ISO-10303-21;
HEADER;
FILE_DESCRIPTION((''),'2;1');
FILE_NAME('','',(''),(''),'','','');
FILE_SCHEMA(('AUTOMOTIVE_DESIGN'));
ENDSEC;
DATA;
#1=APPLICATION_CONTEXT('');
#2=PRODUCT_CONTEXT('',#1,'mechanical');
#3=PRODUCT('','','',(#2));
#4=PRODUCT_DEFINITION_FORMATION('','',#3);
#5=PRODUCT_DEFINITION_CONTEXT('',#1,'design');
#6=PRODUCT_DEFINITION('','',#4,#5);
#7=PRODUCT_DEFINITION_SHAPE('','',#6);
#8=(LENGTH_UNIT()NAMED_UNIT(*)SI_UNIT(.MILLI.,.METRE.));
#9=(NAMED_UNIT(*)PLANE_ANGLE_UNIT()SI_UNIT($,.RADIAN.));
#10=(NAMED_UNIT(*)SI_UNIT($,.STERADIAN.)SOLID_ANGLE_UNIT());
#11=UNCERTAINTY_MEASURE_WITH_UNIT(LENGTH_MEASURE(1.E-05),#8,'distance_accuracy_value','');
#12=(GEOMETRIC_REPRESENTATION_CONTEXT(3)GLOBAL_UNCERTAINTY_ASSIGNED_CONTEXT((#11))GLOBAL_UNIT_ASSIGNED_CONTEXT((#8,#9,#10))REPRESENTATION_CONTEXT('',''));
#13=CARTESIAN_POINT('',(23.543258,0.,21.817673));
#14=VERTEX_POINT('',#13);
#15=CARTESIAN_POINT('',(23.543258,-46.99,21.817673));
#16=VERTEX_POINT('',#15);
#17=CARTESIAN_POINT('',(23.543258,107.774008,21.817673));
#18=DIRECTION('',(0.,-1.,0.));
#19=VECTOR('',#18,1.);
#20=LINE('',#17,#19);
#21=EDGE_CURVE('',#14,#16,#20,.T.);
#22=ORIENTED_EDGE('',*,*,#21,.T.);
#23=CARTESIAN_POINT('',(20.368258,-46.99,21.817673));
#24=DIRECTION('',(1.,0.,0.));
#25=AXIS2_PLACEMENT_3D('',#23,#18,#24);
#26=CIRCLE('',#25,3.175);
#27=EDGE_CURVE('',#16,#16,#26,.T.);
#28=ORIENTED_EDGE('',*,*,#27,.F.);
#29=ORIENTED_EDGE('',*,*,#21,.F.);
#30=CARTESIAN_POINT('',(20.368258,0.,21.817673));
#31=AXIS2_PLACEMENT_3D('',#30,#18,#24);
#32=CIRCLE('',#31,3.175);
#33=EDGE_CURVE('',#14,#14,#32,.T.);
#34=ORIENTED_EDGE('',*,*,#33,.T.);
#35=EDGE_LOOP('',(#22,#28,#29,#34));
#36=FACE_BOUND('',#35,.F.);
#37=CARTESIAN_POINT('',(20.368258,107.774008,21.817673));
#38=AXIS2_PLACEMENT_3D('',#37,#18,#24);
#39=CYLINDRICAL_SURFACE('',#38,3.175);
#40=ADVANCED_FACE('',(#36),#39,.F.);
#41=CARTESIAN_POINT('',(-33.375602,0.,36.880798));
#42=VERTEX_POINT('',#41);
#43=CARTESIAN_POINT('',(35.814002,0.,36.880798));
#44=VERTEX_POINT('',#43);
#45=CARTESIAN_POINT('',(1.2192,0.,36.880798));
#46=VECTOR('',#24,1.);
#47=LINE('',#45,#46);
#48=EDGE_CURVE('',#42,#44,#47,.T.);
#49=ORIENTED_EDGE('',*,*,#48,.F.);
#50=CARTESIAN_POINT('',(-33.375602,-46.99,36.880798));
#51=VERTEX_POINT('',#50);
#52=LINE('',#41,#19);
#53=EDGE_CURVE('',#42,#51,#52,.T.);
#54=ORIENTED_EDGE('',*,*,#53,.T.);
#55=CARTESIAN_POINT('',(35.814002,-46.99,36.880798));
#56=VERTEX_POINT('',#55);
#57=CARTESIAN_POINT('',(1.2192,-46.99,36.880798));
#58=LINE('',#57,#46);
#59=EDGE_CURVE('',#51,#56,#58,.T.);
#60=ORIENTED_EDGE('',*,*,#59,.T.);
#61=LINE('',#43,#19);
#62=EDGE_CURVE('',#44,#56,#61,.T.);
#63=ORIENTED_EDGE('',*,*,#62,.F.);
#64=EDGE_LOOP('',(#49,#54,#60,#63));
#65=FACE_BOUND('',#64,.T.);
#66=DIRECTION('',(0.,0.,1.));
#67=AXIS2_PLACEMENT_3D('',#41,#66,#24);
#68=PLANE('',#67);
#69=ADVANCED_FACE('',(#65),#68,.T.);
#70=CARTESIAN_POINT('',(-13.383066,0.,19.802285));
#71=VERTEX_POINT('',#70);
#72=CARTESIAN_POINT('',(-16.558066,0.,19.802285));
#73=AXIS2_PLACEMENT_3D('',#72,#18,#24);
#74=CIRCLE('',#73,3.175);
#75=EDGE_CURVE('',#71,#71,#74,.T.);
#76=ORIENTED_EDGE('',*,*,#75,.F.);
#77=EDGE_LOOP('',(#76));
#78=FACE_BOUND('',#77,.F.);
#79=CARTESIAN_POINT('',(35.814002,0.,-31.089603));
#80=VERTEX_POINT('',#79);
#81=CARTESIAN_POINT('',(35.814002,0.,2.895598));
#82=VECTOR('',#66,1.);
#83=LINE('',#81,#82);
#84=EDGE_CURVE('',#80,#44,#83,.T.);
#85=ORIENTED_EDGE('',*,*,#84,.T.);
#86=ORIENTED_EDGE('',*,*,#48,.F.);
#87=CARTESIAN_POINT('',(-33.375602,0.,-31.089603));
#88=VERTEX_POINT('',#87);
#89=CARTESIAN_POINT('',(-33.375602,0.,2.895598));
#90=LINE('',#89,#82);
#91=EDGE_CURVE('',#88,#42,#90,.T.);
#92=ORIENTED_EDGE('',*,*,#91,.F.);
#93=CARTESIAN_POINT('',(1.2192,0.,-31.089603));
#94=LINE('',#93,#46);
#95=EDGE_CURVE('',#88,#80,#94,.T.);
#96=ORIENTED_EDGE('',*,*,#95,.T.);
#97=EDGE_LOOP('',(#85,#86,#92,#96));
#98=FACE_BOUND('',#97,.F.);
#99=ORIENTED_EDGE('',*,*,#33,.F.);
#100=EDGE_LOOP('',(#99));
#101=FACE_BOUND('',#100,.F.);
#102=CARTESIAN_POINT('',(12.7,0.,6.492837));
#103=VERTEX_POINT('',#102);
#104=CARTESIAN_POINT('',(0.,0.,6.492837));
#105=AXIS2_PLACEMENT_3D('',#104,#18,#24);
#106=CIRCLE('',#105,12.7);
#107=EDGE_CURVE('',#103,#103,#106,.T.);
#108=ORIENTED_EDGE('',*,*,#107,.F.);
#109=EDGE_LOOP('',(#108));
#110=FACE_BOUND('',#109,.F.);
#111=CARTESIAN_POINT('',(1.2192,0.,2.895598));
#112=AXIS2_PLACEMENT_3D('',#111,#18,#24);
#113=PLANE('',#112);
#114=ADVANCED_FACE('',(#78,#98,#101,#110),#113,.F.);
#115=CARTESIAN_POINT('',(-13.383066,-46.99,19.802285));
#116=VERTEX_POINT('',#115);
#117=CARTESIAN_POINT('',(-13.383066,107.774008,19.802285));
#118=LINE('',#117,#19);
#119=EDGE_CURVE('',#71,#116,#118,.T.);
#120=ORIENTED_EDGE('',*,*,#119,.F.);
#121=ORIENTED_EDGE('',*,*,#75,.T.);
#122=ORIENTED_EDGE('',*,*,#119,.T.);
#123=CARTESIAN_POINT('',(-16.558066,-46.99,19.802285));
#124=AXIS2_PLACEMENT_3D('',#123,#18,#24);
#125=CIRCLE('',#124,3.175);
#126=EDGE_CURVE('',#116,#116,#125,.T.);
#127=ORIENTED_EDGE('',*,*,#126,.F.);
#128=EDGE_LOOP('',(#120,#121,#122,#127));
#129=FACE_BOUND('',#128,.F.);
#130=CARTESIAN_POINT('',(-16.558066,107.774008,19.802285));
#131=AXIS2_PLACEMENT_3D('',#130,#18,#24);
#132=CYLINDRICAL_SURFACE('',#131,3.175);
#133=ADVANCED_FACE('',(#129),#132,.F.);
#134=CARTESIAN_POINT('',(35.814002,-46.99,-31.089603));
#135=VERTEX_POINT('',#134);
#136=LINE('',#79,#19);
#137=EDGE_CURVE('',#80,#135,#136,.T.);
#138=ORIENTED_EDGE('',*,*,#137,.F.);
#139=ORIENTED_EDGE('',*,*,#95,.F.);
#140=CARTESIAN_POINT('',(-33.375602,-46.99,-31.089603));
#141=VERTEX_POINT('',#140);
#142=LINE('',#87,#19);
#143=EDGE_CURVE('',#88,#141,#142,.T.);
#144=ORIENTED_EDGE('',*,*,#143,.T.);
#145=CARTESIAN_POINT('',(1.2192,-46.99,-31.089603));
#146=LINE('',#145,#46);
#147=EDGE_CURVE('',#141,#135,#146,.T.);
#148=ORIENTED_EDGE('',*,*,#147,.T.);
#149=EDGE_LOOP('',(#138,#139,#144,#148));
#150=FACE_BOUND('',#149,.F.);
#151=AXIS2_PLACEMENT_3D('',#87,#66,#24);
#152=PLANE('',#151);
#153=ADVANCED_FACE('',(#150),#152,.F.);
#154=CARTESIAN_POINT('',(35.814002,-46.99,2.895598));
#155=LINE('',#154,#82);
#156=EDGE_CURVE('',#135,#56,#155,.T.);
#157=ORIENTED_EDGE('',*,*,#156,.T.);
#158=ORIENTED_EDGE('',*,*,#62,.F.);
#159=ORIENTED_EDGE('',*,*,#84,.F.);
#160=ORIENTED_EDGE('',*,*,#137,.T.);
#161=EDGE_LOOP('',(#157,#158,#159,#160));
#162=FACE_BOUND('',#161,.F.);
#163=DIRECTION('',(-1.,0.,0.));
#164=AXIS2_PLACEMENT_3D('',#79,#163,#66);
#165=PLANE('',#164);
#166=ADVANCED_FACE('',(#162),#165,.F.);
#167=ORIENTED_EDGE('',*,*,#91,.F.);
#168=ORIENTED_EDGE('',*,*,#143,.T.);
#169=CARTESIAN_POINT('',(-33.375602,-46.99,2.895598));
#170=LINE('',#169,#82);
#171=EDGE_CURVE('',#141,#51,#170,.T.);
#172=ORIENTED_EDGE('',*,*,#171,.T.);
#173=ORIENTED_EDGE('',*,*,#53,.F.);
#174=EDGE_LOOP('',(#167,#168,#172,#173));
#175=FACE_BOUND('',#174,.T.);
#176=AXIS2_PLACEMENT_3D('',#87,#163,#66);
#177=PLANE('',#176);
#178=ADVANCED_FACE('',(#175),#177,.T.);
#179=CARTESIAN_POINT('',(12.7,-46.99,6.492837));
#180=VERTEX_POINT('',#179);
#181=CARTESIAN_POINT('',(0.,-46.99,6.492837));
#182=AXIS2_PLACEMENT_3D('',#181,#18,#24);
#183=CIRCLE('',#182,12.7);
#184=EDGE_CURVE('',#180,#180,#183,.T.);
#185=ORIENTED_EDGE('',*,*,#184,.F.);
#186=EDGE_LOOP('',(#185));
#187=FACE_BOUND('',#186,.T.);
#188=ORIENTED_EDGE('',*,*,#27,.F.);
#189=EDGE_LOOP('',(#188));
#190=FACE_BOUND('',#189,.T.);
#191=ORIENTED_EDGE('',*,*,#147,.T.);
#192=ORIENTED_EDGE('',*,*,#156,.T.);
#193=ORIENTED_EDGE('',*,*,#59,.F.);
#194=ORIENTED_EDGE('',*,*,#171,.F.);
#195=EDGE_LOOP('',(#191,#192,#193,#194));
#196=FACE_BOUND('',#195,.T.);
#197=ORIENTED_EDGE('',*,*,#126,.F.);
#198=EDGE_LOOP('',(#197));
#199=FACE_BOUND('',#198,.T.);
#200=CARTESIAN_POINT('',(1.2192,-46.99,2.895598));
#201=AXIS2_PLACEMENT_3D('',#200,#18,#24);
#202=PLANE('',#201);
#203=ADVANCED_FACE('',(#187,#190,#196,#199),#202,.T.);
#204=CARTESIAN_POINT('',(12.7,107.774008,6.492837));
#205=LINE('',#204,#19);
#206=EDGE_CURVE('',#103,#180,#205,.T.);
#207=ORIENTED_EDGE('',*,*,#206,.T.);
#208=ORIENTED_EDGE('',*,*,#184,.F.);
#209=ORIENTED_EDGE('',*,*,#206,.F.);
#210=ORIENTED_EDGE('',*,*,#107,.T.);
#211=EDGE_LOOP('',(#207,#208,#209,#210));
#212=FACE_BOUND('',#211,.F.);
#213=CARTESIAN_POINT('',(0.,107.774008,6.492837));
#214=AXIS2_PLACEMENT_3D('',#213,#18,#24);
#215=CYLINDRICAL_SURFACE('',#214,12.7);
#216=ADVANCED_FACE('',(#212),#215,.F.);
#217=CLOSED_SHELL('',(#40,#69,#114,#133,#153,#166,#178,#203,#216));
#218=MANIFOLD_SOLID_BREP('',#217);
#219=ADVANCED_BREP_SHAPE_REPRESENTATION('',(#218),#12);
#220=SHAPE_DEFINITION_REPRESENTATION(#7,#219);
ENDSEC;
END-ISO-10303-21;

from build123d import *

# Parameters (mm, degrees)
F0_W     = 69.189604
F0_H     = 67.970401
F1_DEPTH = 46.99
F4_D     = 25.4
F5_D     = 6.35
F6_D     = 6.35


with BuildPart() as f1:
    # F0 (on Front) → F1 (new body)
    with BuildSketch(Plane.XZ):
        with Locations((1.2192, 2.895598)):
            Rectangle(F0_W, F0_H)
    extrude(amount=F1_DEPTH)

    # F4 (through all)
    with Locations(Plane(origin=(0, 0, 0), x_dir=(-1, 0, 0), z_dir=(0, 1, 0))):
        with Locations((0, 6.492837)):
            Hole(F4_D / 2)

    # F5 (through all)
    with Locations(Plane(origin=(0, 0, 0), x_dir=(-1, 0, 0), z_dir=(0, 1, 0))):
        with Locations((-20.368258, 21.817673)):
            Hole(F5_D / 2)

    # F6 (through all)
    with Locations(Plane(origin=(0, 0, 0), x_dir=(-1, 0, 0), z_dir=(0, 1, 0))):
        with Locations((16.558066, 19.802285)):
            Hole(F6_D / 2)


solid = f1.part
